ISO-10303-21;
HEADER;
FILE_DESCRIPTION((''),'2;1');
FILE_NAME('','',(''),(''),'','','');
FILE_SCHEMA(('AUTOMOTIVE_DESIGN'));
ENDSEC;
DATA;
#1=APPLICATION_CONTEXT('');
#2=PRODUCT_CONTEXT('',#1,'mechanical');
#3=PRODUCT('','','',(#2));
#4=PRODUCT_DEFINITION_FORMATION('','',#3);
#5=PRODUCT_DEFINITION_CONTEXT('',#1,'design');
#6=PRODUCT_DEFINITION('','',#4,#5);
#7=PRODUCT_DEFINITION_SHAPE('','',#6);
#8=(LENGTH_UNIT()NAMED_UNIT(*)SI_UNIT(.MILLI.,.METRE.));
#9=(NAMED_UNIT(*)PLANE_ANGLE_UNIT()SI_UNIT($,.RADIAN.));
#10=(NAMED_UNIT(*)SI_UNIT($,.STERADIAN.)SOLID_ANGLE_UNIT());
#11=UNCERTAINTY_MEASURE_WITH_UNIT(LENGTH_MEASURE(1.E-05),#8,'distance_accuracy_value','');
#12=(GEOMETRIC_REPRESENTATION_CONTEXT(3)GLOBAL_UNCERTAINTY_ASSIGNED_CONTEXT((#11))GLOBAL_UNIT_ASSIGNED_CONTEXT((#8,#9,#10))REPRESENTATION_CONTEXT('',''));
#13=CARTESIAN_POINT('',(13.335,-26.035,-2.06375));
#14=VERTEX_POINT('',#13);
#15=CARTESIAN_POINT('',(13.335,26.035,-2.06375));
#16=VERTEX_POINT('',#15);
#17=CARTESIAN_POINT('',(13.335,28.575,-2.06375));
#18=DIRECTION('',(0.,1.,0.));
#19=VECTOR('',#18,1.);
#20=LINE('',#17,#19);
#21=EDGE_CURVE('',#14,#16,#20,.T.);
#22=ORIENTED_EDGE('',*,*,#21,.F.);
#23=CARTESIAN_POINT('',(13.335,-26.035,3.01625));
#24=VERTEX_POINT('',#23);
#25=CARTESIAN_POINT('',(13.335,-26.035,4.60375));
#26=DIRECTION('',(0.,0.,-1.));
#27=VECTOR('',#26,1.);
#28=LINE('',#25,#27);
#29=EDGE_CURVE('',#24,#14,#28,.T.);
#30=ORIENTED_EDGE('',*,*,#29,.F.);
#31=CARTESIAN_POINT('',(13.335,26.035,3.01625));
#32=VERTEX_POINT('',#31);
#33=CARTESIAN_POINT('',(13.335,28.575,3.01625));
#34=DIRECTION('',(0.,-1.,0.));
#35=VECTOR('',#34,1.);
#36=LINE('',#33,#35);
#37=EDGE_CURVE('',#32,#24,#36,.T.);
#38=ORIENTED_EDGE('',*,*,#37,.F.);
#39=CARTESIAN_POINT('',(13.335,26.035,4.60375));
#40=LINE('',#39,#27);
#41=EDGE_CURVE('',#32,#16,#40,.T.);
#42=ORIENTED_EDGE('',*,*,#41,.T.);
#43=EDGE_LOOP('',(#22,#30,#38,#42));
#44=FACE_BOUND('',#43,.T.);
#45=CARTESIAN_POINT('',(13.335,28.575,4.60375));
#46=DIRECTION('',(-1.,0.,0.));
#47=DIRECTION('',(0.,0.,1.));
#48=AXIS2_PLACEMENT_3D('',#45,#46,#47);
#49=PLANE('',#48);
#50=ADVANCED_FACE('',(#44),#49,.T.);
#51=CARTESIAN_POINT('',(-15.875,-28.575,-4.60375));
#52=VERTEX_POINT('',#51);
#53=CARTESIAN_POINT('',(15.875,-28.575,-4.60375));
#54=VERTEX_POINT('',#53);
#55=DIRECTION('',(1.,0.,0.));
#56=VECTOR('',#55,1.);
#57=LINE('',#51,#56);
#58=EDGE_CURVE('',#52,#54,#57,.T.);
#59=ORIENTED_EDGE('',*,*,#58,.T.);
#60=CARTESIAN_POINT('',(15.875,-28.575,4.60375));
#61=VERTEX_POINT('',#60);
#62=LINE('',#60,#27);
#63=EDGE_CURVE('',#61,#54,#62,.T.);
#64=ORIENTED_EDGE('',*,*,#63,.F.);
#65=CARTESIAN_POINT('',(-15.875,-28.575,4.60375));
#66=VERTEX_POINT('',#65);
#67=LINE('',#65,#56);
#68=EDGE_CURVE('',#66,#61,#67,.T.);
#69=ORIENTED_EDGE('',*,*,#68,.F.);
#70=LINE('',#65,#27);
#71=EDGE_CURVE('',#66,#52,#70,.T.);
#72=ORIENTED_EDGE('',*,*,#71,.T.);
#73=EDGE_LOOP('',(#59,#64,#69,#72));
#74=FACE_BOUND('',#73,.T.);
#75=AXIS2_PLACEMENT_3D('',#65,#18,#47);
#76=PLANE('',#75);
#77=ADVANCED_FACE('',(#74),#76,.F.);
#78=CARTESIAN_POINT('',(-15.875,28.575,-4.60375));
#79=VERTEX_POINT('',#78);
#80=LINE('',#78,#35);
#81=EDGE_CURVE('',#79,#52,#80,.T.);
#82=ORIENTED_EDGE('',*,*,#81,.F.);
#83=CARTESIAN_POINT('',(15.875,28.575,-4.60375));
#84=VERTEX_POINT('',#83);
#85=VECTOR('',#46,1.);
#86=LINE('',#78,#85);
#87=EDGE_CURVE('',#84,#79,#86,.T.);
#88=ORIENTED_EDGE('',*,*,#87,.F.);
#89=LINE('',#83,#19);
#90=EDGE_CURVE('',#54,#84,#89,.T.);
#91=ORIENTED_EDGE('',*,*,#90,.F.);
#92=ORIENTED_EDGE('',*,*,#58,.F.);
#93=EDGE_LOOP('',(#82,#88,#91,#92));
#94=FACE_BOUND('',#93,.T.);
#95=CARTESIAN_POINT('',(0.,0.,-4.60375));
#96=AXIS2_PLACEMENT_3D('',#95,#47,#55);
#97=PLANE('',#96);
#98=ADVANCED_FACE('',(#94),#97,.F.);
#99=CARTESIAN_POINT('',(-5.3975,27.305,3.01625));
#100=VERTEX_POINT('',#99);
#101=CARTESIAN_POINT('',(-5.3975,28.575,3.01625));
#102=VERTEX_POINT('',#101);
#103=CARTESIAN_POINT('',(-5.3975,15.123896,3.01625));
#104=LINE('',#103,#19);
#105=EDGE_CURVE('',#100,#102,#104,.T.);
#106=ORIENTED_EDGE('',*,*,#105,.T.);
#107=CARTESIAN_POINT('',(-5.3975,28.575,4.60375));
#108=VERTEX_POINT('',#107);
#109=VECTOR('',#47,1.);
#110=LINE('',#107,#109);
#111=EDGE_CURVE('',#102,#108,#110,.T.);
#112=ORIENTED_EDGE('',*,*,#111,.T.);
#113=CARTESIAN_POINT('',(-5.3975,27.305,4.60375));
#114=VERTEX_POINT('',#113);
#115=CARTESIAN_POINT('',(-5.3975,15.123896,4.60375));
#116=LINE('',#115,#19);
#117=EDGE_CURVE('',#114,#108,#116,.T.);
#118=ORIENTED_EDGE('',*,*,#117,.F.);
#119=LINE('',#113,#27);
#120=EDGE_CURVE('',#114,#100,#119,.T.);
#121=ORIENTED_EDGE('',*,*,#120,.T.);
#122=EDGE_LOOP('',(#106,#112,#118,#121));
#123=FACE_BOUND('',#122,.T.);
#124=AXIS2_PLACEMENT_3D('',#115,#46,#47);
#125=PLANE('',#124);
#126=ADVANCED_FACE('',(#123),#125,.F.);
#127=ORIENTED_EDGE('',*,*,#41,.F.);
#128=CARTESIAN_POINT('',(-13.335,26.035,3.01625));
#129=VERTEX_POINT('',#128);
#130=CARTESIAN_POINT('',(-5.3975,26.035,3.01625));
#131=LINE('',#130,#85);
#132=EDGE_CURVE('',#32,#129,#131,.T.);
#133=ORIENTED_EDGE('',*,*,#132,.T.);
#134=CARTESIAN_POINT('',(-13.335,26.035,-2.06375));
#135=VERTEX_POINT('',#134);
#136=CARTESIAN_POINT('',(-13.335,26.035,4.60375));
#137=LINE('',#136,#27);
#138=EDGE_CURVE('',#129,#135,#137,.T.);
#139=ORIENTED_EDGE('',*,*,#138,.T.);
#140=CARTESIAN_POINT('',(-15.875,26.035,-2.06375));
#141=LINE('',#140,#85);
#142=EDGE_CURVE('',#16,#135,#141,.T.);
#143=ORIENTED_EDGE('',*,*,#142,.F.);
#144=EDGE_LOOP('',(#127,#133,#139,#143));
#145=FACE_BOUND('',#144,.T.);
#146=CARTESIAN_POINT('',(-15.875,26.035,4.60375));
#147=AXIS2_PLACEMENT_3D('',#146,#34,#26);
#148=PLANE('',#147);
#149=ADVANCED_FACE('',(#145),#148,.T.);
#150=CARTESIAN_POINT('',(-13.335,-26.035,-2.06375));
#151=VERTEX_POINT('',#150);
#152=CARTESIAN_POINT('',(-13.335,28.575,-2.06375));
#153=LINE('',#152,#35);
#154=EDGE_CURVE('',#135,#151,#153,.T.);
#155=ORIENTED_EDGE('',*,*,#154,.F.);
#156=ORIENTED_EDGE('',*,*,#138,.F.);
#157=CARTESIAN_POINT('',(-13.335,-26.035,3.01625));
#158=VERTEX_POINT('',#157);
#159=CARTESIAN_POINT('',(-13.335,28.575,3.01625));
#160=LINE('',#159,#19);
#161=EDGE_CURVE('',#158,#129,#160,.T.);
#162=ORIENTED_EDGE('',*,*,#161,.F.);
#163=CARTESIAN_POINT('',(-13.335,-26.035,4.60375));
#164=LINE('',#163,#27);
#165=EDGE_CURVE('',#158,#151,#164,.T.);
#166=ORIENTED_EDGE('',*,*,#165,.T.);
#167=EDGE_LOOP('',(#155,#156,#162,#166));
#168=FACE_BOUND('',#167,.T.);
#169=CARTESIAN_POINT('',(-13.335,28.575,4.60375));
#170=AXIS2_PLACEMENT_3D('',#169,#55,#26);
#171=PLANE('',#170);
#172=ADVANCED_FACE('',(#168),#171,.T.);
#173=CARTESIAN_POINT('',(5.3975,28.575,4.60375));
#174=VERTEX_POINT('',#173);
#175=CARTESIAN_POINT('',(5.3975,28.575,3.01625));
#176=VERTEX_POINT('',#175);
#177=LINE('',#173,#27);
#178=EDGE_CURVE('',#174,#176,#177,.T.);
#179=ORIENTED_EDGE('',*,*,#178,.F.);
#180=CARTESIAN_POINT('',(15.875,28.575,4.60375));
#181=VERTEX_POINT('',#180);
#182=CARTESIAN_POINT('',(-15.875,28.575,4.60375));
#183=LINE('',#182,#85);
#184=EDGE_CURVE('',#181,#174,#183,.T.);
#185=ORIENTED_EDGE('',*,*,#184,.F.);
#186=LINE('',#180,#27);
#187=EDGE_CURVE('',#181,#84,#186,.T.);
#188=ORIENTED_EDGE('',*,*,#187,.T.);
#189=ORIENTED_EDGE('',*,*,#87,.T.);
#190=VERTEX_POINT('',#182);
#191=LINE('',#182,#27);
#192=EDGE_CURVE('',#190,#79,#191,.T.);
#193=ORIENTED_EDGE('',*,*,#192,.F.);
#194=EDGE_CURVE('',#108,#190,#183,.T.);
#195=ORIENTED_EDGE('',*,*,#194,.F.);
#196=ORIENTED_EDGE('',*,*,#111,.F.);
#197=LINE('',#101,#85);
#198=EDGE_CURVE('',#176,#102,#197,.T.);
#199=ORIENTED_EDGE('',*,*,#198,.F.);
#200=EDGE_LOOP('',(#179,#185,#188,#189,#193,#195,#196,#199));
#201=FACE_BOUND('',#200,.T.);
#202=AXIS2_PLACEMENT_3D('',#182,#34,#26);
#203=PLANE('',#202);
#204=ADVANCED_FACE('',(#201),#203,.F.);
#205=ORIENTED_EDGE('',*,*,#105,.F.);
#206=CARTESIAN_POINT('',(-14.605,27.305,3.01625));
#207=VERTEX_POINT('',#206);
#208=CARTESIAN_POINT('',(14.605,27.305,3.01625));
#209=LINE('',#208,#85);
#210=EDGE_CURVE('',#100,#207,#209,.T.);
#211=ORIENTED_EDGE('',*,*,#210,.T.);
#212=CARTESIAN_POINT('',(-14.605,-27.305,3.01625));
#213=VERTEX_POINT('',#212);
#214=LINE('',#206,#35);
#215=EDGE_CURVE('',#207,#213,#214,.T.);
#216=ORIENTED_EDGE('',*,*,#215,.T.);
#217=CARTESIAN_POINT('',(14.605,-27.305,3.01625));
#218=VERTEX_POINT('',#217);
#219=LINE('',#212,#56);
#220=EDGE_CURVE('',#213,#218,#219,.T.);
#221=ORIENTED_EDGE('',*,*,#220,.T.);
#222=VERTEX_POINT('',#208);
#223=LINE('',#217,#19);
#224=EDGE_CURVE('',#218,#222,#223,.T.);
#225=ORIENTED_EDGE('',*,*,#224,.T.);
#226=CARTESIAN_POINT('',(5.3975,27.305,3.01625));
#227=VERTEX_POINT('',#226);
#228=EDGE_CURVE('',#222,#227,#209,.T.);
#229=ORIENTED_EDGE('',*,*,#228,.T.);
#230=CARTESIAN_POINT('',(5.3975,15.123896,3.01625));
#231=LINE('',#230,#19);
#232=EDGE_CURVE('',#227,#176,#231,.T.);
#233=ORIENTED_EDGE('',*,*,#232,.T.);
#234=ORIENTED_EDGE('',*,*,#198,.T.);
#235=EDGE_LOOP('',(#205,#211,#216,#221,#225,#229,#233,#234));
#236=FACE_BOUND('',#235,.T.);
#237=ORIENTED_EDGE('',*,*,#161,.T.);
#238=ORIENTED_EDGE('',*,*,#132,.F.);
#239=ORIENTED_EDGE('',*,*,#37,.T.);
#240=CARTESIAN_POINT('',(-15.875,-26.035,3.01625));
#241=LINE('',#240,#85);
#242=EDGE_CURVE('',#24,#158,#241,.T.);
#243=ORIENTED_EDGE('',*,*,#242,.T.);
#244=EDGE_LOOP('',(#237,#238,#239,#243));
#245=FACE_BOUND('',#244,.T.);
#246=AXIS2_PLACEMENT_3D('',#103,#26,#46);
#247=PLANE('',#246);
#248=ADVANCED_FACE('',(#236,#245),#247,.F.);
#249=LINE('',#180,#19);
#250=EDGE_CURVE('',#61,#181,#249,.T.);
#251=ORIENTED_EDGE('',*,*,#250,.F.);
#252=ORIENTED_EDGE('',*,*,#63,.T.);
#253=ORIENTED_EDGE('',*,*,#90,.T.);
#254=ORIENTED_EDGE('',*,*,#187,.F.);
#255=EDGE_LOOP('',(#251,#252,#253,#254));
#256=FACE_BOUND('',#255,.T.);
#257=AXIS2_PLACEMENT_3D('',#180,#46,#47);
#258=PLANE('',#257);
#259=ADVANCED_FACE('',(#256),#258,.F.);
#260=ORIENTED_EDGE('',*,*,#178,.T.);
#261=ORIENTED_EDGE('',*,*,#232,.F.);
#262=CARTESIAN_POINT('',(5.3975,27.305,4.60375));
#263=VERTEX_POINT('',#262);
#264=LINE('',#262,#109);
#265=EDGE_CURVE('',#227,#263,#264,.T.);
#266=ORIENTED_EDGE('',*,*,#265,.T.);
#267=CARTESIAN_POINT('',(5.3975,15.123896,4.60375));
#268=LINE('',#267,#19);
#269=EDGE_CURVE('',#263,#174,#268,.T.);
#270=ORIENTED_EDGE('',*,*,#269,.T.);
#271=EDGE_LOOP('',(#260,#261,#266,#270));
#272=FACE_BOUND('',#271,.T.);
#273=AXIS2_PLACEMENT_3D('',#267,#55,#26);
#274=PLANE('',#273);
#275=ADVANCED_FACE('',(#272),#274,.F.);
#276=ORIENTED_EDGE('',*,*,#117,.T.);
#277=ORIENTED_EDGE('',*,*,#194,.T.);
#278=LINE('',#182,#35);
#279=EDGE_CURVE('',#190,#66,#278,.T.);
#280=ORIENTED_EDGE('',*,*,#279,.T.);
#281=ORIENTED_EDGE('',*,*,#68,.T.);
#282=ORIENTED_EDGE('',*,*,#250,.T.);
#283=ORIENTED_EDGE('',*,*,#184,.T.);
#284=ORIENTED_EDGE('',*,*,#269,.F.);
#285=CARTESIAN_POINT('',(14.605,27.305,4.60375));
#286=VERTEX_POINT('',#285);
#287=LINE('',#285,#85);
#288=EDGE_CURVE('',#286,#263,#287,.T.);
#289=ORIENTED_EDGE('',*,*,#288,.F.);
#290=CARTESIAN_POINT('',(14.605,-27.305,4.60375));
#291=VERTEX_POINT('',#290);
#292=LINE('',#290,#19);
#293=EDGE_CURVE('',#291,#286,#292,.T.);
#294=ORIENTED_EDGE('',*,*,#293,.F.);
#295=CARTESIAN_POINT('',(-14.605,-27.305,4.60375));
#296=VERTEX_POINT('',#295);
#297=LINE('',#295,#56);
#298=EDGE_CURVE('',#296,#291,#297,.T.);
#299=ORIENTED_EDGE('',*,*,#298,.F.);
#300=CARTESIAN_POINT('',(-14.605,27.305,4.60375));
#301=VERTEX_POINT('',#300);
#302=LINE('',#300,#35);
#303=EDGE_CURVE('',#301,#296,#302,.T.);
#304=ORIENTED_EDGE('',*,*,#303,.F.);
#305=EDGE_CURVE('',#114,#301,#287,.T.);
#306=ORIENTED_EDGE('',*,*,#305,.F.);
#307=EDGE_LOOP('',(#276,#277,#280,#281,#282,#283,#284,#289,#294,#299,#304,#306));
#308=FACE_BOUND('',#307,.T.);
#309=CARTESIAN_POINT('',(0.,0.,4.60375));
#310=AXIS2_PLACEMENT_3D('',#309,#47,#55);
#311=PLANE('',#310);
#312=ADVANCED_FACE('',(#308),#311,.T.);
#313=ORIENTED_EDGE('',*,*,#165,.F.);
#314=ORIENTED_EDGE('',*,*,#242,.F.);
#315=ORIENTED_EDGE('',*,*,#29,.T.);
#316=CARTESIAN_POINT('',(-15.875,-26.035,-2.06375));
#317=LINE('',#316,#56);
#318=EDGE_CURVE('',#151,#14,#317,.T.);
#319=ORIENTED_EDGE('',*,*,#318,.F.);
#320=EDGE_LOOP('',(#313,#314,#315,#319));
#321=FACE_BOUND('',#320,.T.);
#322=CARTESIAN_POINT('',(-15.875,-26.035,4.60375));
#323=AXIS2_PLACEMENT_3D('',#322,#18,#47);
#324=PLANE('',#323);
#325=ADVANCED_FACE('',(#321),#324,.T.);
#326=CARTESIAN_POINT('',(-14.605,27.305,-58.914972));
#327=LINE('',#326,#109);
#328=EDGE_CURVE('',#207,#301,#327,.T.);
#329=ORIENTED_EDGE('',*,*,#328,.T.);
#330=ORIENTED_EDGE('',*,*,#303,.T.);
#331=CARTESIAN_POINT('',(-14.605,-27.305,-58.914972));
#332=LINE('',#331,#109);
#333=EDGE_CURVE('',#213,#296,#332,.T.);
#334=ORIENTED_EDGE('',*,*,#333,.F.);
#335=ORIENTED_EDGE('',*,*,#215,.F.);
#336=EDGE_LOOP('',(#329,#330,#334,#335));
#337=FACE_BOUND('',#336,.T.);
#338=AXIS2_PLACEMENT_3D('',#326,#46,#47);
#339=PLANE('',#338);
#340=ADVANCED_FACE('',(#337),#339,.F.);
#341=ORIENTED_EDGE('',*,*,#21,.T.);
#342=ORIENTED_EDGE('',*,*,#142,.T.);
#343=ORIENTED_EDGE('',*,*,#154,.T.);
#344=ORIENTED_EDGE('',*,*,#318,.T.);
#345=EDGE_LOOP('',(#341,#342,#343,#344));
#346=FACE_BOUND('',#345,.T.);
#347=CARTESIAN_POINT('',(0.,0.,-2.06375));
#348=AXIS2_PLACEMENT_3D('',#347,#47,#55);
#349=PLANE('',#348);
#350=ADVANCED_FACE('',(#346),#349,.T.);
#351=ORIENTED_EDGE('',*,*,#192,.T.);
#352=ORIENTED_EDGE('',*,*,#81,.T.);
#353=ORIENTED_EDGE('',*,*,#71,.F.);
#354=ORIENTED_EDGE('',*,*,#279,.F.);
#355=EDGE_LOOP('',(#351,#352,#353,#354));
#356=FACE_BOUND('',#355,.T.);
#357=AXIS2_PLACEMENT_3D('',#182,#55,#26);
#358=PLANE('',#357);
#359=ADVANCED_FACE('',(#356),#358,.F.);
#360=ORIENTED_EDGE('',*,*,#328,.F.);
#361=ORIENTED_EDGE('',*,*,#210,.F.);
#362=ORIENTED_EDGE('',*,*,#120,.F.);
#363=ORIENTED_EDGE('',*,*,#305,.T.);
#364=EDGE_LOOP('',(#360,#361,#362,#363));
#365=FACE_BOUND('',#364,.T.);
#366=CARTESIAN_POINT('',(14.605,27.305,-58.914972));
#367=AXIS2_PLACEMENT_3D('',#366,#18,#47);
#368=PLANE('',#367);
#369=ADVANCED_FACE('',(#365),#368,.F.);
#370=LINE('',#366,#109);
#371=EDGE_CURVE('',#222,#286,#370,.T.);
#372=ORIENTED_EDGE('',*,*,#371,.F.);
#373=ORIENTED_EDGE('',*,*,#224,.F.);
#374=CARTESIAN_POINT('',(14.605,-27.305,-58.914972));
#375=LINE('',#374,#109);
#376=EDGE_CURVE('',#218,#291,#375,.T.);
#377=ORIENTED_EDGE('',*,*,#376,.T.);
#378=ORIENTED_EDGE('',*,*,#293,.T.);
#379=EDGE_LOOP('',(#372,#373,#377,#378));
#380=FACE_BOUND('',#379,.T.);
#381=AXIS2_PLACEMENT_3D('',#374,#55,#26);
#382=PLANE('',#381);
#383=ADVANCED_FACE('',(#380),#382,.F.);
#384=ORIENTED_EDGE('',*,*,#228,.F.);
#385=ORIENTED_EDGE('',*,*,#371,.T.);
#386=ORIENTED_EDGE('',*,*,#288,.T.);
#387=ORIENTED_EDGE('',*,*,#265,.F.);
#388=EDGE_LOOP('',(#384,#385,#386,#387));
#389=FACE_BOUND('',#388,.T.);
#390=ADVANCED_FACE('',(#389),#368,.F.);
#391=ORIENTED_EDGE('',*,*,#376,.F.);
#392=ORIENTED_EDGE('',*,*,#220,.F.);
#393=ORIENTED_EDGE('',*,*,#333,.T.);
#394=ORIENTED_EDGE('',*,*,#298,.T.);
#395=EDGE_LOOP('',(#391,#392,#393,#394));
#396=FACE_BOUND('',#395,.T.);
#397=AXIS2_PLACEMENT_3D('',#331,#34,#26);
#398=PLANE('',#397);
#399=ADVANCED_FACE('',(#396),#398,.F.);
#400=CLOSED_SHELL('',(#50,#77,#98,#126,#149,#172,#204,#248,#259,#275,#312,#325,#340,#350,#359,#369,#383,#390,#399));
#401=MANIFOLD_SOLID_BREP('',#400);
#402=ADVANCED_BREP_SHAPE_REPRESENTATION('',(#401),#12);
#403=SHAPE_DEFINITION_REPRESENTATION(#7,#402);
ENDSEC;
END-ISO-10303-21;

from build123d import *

# Parameters (mm, degrees)
SKETCH1_W           = 31.75
SKETCH1_H           = 57.15
BOSS_EXTRUDE1_DEPTH = 4.60375
SHELL1_T            = -2.54
SKETCH2_W           = 10.795
SKETCH2_H           = 1.5875
CUT_EXTRUDE1_DEPTH  = 2.54
SKETCH3_W           = 29.21
SKETCH3_H           = 54.61
CUT_EXTRUDE2_DEPTH  = 1.5875


with BuildPart() as part:
    # Sketch1 → Boss-Extrude1 (new, symmetric)
    with BuildSketch(Plane.XY):
        Rectangle(SKETCH1_W, SKETCH1_H)
    extrude(amount=BOSS_EXTRUDE1_DEPTH, both=True)

    # Shell1
    shell1_openings = [part.faces().sort_by_distance(p)[0] for p in [
        (0, 0, 4.60375),
    ]]
    offset(amount=SHELL1_T, openings=shell1_openings, kind=Kind.INTERSECTION)

    # Sketch2 → Cut-Extrude1 (cut)
    with BuildSketch(Plane(origin=(0, 28.575, 0), x_dir=(1, 0, 0), z_dir=(0, 1, 0))):
        with Locations((0, -3.81)):
            Rectangle(SKETCH2_W, SKETCH2_H)
    extrude(amount=-CUT_EXTRUDE1_DEPTH, mode=Mode.SUBTRACT)

    # Sketch3 → Cut-Extrude2 (cut)
    with BuildSketch(Plane.XY.offset(4.60375)):
        Rectangle(SKETCH3_W, SKETCH3_H)
    extrude(amount=-CUT_EXTRUDE2_DEPTH, mode=Mode.SUBTRACT)


solid = part.part
